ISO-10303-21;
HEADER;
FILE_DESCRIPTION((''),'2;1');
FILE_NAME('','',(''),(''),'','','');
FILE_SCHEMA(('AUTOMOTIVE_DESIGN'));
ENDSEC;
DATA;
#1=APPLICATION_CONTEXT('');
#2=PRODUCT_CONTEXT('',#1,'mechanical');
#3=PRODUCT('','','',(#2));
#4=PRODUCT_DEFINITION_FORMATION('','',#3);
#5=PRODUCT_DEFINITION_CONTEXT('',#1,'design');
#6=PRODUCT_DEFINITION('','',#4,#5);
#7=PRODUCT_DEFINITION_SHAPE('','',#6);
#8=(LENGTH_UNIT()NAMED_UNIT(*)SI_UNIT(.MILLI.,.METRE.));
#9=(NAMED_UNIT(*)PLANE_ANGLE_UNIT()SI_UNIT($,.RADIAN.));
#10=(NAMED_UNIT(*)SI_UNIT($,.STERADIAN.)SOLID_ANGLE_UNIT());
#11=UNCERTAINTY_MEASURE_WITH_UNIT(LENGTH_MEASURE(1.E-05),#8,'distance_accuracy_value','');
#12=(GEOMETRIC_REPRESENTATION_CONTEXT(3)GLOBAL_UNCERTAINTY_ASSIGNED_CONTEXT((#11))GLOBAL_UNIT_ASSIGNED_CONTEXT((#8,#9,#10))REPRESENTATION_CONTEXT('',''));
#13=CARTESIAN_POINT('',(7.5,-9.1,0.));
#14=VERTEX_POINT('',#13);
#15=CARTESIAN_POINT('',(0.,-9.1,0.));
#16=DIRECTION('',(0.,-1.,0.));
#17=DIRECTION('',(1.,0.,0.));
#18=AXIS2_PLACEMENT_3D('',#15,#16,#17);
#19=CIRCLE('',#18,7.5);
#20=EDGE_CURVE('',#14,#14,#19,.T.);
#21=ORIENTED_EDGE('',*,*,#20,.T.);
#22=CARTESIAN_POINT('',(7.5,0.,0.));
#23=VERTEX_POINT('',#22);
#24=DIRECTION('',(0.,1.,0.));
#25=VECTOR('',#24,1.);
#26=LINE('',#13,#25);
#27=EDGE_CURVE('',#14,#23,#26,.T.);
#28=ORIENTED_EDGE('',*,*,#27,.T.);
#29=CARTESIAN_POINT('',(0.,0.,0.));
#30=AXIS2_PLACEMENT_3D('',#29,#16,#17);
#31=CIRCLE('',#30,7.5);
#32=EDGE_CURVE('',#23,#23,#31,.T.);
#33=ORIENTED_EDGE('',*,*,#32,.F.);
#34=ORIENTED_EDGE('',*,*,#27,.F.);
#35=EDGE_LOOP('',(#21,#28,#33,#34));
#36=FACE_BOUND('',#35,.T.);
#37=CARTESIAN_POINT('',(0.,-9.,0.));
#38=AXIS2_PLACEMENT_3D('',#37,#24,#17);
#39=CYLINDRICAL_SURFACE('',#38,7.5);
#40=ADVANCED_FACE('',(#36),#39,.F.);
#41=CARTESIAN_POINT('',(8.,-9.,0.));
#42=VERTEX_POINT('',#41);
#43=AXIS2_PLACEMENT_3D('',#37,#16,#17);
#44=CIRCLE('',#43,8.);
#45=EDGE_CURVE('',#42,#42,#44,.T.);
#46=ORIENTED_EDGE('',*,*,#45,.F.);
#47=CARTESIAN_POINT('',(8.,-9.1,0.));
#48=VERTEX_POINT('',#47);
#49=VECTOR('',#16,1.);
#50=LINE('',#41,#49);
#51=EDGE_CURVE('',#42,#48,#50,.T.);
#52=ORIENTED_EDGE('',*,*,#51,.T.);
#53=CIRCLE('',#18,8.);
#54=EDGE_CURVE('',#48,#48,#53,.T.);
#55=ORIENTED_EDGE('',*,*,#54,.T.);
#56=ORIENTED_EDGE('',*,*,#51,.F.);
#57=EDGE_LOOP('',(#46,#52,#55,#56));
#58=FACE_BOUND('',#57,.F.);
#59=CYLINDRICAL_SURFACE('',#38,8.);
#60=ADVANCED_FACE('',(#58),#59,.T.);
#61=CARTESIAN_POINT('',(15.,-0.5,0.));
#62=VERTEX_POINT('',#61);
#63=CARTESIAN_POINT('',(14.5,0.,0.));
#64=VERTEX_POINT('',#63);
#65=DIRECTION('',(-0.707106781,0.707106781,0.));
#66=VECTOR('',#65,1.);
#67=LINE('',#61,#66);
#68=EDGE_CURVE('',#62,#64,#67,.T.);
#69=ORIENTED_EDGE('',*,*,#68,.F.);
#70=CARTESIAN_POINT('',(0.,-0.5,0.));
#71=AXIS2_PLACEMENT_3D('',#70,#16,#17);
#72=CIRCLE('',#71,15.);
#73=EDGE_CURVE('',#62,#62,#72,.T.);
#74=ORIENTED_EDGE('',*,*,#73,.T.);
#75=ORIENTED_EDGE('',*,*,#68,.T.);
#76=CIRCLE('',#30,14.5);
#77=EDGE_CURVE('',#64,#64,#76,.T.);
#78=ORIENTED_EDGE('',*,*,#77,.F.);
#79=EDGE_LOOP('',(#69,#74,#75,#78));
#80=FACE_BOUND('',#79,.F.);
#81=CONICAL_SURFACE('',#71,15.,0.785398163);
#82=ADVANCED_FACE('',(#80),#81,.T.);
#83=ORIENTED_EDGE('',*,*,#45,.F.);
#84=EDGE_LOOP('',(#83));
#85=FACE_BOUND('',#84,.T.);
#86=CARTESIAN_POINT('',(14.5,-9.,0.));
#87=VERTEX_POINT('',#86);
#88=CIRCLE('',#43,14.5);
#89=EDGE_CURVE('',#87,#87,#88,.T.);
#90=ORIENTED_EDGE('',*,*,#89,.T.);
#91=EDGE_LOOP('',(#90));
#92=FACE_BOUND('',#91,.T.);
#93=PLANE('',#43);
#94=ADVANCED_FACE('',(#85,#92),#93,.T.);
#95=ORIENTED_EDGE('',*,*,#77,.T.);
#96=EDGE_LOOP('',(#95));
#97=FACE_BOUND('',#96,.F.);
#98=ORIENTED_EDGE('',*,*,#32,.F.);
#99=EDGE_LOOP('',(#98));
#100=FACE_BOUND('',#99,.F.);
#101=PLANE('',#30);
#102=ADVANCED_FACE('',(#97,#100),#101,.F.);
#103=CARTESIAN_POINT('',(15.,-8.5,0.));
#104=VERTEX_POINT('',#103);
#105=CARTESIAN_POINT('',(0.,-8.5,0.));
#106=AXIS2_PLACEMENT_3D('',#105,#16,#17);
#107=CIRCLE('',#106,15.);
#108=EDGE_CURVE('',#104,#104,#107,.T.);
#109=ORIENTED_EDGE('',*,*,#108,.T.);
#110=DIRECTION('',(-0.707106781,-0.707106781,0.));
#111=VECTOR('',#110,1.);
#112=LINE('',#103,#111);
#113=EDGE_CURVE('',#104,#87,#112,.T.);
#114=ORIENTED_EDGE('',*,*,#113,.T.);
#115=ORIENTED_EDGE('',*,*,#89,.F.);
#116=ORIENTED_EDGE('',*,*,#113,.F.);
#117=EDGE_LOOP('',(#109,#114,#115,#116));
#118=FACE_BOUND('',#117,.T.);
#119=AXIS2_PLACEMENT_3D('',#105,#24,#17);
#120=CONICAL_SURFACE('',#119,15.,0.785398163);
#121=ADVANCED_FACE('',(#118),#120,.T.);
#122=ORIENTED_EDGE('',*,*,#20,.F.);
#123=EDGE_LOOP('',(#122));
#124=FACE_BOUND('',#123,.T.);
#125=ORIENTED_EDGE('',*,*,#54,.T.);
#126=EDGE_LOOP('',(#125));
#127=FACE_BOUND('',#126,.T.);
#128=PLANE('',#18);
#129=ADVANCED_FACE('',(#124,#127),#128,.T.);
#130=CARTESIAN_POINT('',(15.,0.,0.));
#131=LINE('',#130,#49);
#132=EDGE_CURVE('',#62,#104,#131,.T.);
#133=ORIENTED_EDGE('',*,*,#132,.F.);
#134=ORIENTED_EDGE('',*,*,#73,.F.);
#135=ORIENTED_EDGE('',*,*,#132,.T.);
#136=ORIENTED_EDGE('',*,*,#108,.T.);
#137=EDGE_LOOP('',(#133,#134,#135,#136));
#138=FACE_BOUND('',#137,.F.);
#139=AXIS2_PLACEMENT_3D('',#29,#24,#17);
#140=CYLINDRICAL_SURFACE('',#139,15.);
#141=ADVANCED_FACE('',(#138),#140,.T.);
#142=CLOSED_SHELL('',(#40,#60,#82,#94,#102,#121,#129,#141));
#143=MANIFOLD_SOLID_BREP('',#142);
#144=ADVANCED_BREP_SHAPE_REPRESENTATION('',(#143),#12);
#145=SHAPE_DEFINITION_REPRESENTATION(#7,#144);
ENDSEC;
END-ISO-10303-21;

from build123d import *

# Parameters (mm, degrees)
F0_R     = 15
F0_R_2   = 7.5
F1_DEPTH = 9
F2_SIZE  = 0.5
F3_R     = 8
F3_R_2   = 7.5
F4_DEPTH = 0.1


with BuildPart() as f1:
    # F0 (on Front) → F1 (new body)
    with BuildSketch(Plane.XZ):
        Circle(F0_R)
        Circle(F0_R_2, mode=Mode.SUBTRACT)
    extrude(amount=F1_DEPTH)

    # F2
    f2_edges = [f1.edges().sort_by_distance(p)[0] for p in [
        (-15, -9, 0),
        (15, -4.5, 0),
        (-15, 0, 0),
    ]]
    chamfer(f2_edges, length=F2_SIZE)

    # F3 (on face) → F4 (join)
    with BuildSketch(Plane.XZ.offset(9)):
        Circle(F3_R)
        Circle(F3_R_2, mode=Mode.SUBTRACT)
    extrude(amount=F4_DEPTH)


solid = f1.part
